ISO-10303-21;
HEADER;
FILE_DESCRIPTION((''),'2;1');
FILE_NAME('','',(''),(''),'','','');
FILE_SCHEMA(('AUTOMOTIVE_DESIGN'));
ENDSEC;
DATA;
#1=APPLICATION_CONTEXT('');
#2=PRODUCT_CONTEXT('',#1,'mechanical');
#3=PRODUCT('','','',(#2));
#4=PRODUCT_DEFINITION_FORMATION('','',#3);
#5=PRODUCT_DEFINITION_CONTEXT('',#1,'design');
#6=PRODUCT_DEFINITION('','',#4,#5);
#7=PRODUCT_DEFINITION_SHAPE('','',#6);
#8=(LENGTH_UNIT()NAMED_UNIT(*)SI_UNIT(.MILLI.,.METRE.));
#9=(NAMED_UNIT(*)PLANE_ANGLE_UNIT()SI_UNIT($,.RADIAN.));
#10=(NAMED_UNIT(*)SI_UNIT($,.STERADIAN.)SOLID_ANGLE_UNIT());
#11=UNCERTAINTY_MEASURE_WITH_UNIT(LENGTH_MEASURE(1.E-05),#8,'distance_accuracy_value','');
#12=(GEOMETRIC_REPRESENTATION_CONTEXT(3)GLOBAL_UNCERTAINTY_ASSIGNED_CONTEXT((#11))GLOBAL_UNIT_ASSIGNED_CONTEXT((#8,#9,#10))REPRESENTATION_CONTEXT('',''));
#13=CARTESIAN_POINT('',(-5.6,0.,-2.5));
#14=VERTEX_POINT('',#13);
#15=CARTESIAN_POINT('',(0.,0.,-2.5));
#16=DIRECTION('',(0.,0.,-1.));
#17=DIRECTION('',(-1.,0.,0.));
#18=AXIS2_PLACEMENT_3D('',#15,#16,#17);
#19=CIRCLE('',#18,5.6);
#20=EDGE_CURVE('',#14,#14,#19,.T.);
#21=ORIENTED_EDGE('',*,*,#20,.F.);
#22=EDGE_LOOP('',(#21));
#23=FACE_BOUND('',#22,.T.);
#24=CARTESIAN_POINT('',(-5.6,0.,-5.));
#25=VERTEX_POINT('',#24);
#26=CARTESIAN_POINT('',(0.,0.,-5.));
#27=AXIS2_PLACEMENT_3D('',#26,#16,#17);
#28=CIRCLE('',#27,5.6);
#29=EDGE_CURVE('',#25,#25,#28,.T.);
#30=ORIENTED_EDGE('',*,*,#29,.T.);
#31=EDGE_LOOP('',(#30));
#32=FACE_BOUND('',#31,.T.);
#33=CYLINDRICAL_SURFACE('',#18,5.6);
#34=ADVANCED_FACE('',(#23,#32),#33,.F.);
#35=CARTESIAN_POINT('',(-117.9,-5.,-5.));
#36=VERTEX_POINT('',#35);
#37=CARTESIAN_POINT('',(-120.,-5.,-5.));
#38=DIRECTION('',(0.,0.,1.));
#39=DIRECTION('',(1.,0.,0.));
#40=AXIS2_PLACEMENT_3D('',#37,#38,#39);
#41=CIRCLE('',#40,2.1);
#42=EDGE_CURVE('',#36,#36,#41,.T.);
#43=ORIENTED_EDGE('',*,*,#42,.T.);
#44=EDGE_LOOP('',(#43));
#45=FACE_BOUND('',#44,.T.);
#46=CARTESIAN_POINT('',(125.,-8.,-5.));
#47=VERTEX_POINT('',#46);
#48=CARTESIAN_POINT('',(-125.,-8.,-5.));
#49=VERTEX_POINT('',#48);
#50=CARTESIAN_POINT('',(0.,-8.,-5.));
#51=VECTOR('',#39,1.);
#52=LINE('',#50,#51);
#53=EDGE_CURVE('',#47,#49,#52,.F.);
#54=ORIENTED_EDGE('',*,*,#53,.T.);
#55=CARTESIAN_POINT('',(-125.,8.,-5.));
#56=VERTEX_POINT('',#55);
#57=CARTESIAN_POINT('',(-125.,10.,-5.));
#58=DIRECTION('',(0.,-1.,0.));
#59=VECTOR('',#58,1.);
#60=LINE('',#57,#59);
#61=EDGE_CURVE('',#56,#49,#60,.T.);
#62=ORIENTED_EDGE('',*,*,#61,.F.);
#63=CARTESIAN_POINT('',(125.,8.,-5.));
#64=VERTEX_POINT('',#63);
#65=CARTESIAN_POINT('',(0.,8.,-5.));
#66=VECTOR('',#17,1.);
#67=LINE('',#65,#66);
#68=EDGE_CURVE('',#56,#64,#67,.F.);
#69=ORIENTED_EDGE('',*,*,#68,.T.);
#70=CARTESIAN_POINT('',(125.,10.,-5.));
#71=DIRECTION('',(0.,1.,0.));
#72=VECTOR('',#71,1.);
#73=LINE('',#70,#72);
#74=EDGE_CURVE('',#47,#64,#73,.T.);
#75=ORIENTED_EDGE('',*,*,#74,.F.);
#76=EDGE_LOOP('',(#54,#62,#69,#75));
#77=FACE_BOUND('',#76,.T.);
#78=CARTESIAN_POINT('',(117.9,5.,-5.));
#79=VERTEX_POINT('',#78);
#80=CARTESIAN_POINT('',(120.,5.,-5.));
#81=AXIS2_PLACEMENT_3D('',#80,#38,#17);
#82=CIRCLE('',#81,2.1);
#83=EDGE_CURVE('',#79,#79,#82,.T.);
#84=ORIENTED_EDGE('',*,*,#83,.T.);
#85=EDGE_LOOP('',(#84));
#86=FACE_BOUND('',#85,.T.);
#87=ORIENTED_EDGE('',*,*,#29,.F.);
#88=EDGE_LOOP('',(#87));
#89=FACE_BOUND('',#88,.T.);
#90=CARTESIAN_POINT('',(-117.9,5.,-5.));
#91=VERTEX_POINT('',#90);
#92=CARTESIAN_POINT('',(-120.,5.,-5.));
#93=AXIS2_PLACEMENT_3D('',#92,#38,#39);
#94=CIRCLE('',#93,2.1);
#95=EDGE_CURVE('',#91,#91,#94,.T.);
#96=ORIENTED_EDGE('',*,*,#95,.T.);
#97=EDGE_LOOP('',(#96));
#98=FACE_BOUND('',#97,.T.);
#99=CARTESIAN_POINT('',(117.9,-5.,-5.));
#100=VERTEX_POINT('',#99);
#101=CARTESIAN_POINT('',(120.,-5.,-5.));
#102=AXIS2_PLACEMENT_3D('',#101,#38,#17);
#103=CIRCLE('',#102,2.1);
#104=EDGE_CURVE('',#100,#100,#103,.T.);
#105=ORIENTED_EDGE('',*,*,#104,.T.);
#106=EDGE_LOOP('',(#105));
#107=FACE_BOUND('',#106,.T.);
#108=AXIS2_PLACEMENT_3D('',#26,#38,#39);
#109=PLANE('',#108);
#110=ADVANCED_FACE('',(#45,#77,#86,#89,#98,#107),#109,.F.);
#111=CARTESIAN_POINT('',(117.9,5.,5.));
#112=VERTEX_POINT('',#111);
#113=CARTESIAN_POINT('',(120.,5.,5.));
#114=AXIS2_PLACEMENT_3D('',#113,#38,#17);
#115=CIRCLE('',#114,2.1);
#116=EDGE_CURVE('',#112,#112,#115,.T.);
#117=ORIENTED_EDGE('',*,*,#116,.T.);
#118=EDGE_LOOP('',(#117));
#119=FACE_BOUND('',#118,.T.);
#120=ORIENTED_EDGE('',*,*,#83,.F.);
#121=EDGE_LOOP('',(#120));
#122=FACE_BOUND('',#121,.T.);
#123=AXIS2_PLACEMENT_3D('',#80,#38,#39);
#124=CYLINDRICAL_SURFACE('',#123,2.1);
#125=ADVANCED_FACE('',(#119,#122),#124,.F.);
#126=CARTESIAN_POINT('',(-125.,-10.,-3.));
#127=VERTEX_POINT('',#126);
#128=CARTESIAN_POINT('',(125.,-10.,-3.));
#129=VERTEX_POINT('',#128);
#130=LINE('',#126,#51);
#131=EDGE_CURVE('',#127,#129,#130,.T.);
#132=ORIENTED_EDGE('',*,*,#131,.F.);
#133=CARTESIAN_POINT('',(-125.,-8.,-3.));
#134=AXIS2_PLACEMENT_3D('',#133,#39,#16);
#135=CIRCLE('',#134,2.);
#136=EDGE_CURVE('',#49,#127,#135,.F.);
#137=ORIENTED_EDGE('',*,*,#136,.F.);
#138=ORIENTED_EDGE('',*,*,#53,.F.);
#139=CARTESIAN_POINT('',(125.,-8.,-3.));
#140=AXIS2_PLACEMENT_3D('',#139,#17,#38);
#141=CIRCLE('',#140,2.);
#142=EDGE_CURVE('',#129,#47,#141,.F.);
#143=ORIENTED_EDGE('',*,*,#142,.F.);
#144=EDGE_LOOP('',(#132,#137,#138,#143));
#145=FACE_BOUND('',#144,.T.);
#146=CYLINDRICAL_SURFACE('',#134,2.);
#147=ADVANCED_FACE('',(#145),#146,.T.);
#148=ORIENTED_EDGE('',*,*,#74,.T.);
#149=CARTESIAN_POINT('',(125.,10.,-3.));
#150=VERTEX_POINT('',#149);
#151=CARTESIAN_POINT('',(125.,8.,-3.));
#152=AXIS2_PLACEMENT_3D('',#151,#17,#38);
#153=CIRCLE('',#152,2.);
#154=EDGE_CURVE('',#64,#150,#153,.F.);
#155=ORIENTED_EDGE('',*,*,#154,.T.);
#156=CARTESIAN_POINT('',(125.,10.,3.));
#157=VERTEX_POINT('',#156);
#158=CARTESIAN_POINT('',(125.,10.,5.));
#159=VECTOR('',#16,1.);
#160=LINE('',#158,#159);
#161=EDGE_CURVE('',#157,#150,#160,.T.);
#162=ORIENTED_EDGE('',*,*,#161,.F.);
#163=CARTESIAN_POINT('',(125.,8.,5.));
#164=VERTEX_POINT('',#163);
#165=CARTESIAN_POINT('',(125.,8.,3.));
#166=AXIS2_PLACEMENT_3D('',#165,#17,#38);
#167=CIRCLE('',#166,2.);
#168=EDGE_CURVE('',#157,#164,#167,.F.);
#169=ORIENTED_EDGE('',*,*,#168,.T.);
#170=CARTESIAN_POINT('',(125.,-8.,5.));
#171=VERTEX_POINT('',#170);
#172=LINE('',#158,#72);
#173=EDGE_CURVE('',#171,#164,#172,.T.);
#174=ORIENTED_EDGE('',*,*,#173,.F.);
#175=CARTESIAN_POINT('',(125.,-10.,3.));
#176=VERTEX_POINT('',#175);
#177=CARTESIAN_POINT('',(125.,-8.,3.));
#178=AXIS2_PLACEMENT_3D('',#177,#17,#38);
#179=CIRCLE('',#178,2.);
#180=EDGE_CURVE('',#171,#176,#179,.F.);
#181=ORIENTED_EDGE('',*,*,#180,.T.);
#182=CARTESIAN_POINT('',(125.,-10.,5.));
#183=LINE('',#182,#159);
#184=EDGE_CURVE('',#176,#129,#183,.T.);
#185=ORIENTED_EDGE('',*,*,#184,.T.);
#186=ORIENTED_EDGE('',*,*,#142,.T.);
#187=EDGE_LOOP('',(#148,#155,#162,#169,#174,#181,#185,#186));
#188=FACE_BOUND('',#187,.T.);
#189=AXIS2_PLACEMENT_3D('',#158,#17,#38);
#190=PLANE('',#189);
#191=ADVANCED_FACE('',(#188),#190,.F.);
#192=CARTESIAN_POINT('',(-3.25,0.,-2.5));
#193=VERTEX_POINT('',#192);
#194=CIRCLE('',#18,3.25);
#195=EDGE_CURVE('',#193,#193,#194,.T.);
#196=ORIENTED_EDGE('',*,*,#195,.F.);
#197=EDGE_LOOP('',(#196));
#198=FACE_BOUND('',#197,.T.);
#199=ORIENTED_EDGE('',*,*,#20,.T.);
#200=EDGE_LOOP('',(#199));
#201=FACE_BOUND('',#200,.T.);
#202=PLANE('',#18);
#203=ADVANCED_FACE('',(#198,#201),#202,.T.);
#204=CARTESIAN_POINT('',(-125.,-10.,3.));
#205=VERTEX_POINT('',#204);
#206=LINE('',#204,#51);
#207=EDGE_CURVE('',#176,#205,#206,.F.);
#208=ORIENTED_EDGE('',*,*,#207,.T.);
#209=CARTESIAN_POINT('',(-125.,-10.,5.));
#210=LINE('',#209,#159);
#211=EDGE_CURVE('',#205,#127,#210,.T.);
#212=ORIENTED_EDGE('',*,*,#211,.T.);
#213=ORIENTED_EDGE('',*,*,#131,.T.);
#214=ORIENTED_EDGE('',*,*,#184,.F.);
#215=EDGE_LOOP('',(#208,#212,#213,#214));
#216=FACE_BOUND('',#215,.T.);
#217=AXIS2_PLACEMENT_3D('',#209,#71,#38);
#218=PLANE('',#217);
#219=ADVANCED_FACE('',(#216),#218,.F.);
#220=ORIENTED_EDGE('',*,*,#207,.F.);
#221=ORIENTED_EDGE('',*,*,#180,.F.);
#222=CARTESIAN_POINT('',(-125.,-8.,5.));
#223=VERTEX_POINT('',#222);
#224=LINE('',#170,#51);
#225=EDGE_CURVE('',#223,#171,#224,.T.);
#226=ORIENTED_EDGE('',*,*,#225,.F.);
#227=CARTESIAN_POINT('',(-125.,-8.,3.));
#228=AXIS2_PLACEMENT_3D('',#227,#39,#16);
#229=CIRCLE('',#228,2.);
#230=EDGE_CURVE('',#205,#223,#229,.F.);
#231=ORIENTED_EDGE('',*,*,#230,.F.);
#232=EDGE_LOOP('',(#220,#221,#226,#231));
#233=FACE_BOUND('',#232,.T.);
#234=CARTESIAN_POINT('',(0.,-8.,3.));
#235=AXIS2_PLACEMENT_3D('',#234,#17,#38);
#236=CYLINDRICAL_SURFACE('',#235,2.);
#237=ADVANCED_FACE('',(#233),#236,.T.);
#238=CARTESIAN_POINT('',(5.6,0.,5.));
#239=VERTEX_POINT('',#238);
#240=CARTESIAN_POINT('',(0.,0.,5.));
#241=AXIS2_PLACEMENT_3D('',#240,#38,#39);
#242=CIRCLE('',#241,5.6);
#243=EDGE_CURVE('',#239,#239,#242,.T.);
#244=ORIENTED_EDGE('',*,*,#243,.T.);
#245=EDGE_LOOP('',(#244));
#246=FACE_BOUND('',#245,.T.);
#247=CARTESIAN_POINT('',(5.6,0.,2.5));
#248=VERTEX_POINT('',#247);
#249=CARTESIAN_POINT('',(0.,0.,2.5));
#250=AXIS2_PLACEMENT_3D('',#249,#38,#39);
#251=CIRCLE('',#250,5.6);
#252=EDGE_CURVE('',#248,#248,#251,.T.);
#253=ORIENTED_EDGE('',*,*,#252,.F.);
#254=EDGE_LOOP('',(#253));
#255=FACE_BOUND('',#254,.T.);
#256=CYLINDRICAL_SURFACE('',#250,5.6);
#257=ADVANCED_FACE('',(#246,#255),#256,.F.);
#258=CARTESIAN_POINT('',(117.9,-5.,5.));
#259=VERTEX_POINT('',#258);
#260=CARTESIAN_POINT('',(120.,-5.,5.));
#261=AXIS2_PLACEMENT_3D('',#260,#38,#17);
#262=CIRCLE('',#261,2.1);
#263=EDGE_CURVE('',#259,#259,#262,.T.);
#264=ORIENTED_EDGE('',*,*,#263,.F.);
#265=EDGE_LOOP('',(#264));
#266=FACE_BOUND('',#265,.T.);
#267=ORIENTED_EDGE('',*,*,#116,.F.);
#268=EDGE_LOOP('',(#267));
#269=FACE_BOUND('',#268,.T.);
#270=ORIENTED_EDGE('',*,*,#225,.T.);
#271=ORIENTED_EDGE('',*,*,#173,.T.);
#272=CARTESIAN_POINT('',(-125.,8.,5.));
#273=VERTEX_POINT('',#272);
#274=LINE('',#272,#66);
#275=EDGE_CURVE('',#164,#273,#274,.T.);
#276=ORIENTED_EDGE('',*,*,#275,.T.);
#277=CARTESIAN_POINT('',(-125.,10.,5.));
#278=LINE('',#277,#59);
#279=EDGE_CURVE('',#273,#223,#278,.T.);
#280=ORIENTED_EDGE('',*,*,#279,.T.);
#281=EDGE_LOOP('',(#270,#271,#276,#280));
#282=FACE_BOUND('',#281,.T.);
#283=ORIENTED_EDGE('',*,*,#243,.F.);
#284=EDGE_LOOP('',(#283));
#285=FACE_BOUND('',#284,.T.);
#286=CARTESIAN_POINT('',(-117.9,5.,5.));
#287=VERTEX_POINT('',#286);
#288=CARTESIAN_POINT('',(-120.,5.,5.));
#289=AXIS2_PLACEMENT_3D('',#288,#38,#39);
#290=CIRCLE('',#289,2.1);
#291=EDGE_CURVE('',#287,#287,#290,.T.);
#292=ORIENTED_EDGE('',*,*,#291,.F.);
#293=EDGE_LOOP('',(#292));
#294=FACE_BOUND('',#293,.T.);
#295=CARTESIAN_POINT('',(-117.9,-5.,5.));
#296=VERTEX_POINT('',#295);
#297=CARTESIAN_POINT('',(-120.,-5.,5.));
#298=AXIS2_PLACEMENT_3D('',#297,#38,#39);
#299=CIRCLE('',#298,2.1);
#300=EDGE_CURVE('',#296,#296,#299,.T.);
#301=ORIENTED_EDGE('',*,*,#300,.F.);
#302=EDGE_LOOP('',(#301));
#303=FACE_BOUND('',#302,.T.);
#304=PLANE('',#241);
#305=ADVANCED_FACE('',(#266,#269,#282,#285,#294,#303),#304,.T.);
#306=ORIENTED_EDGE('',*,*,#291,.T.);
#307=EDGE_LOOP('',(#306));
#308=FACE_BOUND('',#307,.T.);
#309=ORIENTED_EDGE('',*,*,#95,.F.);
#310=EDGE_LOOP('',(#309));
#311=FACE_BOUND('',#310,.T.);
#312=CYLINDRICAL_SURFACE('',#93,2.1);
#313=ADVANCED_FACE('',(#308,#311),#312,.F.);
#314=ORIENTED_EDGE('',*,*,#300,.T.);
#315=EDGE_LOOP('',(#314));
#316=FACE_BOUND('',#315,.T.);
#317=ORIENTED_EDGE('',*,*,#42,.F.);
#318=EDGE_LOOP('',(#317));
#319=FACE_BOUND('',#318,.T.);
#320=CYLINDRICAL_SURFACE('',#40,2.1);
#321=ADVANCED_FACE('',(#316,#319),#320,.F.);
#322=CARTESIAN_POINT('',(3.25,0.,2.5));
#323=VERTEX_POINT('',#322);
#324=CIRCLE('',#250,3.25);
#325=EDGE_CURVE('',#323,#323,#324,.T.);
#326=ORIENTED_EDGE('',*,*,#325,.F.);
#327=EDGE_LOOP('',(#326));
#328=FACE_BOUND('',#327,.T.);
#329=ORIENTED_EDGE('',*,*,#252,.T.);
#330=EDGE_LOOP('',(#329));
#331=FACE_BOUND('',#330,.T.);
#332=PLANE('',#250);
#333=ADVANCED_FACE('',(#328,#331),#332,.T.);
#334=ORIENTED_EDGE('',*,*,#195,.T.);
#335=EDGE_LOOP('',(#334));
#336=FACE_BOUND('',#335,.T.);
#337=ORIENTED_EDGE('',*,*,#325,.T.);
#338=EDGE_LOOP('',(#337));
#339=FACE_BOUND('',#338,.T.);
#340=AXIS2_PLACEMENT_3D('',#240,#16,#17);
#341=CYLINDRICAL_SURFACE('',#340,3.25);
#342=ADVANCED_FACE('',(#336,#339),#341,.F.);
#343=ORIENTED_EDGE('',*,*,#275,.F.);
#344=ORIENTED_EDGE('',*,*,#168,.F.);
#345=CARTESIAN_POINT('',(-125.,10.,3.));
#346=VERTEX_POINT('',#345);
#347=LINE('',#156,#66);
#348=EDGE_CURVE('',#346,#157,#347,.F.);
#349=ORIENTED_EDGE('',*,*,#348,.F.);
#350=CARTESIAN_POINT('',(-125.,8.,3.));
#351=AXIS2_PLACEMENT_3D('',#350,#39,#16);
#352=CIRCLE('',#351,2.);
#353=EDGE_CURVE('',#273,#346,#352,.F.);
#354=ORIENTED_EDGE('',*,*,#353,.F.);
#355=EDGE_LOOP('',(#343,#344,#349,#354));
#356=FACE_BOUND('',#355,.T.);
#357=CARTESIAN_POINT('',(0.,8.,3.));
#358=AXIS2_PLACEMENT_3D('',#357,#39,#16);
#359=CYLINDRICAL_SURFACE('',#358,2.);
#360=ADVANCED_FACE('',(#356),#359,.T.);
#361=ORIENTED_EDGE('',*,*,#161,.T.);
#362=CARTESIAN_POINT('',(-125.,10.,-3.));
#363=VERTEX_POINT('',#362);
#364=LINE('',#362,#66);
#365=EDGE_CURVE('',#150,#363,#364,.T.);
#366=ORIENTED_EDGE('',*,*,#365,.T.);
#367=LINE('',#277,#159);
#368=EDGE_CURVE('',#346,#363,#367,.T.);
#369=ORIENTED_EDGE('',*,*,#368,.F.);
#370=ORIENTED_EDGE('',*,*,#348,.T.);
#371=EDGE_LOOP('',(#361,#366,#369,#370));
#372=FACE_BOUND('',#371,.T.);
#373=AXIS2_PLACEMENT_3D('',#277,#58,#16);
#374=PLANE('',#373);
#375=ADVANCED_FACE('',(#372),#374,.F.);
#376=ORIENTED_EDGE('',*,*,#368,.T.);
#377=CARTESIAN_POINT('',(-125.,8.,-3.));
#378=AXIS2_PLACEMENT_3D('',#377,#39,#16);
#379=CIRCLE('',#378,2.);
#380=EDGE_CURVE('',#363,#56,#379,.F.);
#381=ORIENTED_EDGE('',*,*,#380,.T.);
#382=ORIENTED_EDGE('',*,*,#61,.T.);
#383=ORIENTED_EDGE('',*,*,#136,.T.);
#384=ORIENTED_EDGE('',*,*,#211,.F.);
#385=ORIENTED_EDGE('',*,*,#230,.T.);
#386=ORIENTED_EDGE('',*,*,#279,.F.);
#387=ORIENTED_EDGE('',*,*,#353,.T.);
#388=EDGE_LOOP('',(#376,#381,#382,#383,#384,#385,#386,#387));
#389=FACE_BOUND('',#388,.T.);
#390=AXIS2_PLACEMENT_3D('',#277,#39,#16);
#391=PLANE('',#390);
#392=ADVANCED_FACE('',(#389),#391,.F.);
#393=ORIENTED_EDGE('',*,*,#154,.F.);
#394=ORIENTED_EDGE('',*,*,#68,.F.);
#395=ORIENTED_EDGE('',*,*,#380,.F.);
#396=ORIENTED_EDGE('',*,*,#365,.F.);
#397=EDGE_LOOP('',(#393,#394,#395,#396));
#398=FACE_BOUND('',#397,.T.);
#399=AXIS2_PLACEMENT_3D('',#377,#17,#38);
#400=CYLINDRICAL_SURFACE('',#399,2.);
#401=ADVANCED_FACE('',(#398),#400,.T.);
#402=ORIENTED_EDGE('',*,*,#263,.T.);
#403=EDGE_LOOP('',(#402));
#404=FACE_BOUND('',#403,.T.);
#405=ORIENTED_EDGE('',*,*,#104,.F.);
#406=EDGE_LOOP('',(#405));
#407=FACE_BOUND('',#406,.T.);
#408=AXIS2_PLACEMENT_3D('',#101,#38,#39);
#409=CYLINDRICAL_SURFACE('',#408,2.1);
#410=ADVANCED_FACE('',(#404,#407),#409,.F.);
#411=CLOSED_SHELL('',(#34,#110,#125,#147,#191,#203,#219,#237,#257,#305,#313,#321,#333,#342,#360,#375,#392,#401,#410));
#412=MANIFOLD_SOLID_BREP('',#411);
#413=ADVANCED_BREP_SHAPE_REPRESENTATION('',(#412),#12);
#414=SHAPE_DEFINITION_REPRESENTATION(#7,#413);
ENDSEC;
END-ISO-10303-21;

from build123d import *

# Parameters (mm, degrees)
SKETCH_1_W          = 250
SKETCH_1_H          = 20
SKETCH_1_R          = 3.25
EXTRUDE_1_DEPTH     = 5
SKETCH_2_R          = 5.6
CUT_EXTRUDE_1_DEPTH = 2.5
CUT_EXTRUDE_START   = -2.5
SKETCH_3_R          = 5.6
CUT_EXTRUDE_2_DEPTH = 2.5
SKETCH_4_R          = 2.1
CUT_EXTRUDE_3_DEPTH = 126.797456254
FILLET_1_R          = 2


with BuildPart() as part:
    # 草图1 → 凸台-拉伸1 (new, symmetric)
    with BuildSketch(Plane.XY):
        Rectangle(SKETCH_1_W, SKETCH_1_H)
        Circle(SKETCH_1_R, mode=Mode.SUBTRACT)
    extrude(amount=EXTRUDE_1_DEPTH, both=True)

    # 草图2 → 切除-拉伸1 (cut)
    with BuildSketch(Plane(origin=(0, 0, -5), x_dir=(-1, 0, 0), z_dir=(0, 0, -1))):
        Circle(SKETCH_2_R)
    extrude(amount=-CUT_EXTRUDE_1_DEPTH, mode=Mode.SUBTRACT)

    # 草图3 → 切除-拉伸2 (cut)
    with BuildSketch(Plane.XY.offset(5).offset(CUT_EXTRUDE_START)):
        with Locations(Location((0, 0, 0), (0, 0, 180))):
            Circle(SKETCH_3_R)
    extrude(amount=CUT_EXTRUDE_2_DEPTH, mode=Mode.SUBTRACT)

    # 草图4 → 切除-拉伸3 (cut, through all)
    with BuildSketch(Plane.XY.offset(5)):
        with Locations((-120, 5)):
            Circle(SKETCH_4_R)
        with Locations((-120, -5)):
            Circle(SKETCH_4_R)
        with Locations(Location((120, -5, 0), (0, 0, 180))):
            Circle(SKETCH_4_R)
        with Locations(Location((120, 5, 0), (0, 0, 180))):
            Circle(SKETCH_4_R)
    extrude(amount=-CUT_EXTRUDE_3_DEPTH, mode=Mode.SUBTRACT)

    # 圆角1
    fillet_1_edges = [part.edges().sort_by_distance(p)[0] for p in [
        (0, -10, 5),
        (0, -10, -5),
        (0, 10, -5),
        (0, 10, 5),
    ]]
    fillet(fillet_1_edges, radius=FILLET_1_R)


solid = part.part
